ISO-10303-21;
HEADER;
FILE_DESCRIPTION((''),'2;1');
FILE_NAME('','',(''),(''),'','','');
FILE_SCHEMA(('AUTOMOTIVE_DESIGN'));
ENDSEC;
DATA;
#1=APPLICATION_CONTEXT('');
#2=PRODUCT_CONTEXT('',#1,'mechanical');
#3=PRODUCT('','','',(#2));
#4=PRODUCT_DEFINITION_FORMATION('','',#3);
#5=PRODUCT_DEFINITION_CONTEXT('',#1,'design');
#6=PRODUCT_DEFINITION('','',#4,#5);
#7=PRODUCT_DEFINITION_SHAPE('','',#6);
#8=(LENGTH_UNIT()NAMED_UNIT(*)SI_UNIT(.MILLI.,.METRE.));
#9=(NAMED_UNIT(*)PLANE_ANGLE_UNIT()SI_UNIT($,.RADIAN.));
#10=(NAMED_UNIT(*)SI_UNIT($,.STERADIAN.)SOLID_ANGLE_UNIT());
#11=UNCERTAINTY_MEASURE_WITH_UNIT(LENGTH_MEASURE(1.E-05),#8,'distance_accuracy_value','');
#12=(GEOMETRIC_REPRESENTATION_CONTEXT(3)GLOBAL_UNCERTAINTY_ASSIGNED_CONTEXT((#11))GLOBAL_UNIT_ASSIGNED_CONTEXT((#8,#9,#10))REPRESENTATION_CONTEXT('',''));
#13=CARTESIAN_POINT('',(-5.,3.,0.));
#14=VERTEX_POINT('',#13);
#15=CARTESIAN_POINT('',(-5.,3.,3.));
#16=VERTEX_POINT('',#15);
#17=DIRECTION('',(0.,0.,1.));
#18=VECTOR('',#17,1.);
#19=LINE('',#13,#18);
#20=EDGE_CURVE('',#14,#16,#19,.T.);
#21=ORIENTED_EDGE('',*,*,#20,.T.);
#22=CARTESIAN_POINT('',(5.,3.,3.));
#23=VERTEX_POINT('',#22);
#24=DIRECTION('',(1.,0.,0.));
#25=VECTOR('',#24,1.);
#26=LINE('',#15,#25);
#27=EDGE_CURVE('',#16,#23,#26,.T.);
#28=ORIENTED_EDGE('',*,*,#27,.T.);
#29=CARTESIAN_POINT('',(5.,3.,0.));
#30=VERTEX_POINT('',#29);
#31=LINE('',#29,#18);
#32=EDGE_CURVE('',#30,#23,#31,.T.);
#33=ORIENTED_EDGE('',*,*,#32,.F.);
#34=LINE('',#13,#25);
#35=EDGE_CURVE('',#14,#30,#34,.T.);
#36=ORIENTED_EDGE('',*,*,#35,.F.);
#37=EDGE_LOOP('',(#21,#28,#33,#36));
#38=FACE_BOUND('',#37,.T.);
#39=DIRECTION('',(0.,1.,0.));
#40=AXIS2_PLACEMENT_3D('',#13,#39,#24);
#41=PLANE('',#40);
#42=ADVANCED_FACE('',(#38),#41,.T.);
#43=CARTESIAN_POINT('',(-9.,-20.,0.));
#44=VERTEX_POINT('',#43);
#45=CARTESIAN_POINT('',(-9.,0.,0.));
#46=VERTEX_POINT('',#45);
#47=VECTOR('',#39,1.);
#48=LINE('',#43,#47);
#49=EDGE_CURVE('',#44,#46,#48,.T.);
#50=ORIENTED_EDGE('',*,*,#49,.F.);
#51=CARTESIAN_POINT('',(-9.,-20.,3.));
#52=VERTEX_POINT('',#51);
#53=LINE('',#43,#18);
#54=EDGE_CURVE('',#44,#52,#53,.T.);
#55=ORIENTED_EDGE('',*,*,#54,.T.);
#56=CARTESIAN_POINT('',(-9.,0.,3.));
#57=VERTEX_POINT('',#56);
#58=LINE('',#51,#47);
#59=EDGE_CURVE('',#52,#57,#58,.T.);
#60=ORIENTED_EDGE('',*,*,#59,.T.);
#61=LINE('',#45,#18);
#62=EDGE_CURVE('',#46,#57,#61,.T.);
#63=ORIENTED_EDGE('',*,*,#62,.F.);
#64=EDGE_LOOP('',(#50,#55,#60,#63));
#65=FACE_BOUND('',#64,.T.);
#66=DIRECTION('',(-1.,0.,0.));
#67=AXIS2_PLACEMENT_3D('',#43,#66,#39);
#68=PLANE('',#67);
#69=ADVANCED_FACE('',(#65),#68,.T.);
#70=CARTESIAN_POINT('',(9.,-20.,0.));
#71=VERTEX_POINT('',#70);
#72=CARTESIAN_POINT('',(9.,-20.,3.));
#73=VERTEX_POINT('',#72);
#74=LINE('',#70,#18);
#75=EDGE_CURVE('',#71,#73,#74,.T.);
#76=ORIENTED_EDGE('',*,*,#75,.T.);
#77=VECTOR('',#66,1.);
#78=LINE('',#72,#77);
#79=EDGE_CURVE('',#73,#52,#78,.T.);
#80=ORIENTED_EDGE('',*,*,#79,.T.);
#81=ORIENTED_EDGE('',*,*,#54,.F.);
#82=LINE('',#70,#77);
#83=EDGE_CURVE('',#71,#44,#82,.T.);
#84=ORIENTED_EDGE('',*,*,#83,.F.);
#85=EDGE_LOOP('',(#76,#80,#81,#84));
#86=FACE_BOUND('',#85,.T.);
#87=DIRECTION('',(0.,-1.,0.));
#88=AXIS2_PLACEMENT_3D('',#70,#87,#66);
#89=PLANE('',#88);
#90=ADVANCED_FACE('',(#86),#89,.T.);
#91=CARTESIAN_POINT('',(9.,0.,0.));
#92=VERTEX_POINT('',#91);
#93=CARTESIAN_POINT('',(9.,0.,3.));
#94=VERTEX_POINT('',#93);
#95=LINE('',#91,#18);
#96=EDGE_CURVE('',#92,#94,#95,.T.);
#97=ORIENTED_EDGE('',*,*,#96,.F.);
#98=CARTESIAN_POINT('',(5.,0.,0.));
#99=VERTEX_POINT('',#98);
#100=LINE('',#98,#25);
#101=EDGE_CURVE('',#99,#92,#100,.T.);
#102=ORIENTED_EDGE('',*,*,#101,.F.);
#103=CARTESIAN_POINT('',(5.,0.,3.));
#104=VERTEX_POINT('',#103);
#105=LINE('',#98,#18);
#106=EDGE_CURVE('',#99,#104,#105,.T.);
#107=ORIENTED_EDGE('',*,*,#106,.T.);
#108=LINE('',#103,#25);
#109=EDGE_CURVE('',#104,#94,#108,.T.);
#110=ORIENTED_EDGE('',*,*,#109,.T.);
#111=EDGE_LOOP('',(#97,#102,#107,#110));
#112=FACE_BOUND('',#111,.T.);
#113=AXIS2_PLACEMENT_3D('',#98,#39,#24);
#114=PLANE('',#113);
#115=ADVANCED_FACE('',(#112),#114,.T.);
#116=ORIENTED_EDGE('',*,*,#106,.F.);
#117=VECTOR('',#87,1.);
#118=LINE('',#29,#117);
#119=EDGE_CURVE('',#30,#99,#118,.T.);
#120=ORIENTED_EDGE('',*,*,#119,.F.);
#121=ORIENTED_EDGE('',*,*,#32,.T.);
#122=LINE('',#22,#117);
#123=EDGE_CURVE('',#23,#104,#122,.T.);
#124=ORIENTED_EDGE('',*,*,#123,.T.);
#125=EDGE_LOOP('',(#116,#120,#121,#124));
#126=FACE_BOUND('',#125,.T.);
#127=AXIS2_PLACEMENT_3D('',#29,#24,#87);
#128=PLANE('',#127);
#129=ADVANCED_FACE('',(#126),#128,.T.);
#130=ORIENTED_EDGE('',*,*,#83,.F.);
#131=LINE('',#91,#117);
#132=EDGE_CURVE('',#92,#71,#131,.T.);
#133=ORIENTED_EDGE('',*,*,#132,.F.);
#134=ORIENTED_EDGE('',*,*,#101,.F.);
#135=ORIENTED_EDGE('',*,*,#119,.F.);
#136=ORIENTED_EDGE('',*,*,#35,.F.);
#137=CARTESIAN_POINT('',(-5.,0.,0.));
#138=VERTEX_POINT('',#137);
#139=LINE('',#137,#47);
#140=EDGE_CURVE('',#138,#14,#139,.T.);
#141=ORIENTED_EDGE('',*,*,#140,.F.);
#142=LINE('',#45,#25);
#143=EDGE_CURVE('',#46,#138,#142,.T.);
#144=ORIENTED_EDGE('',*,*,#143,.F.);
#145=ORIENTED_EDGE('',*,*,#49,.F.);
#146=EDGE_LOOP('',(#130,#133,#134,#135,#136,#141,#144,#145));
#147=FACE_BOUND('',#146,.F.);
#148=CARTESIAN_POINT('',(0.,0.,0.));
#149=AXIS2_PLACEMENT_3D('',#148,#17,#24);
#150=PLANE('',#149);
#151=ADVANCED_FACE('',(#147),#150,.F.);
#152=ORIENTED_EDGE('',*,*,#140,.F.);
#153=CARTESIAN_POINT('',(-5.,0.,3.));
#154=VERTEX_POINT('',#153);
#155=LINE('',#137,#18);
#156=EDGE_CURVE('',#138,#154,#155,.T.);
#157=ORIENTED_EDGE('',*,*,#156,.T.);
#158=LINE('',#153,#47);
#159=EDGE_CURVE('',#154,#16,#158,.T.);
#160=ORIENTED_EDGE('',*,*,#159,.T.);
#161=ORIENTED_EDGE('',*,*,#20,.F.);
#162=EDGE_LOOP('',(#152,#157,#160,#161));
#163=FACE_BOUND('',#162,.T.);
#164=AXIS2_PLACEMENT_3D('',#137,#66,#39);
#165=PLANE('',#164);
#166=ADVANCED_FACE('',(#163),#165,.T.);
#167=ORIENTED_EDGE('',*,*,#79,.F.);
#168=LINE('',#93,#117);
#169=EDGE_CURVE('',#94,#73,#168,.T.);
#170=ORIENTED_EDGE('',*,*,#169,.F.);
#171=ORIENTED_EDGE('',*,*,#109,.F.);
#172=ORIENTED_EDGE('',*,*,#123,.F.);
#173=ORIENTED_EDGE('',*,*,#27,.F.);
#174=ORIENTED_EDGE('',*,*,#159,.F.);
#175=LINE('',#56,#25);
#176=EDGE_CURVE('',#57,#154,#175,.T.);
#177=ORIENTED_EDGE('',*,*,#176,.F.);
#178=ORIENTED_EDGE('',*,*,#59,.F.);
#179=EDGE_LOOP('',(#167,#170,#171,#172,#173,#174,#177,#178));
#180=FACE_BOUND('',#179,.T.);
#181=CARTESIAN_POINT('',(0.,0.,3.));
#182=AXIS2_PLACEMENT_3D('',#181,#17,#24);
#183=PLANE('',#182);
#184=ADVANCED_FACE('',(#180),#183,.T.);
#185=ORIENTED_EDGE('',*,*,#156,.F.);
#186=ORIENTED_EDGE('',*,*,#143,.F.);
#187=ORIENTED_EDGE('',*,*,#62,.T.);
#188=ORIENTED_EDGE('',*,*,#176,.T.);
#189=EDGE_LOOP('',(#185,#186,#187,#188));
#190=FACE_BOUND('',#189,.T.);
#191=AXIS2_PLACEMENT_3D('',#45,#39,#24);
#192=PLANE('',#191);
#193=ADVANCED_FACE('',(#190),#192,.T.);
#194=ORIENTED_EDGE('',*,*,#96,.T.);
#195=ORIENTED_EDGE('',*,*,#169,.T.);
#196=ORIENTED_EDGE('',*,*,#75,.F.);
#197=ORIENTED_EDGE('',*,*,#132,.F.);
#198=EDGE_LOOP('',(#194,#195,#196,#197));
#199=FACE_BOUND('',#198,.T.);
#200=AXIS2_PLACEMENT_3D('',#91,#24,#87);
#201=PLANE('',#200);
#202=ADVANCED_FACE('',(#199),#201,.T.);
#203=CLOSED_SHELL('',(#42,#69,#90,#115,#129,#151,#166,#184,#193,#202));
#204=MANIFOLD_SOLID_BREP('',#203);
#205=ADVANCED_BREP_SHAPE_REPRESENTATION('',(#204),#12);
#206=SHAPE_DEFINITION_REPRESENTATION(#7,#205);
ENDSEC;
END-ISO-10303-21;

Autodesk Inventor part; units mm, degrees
ref_plane "YZ Plane" through (0, 0, 0) normal (1, 0, 0) x (0, 1, 0)
ref_plane "XZ Plane" through (0, 0, 0) normal (0, 1, 0) x (-1, 0, 0)
ref_plane "XY Plane" through (0, 0, 0) normal (0, 0, 1) x (1, 0, 0)
sketch "Sketch1" plane through (0, 0, 0) normal (0, 0, 1) x (1, 0, 0)
  line L0 (9, 0) -> (9, -20)
  line L1 (9, -20) -> (-9, -20)
  line L2 (-9, -20) -> (-9, 0)
  line L3 (-5, 0) -> (-5, 3)
  line L4 (-5, 3) -> (5, 3)
  line L5 (5, 3) -> (5, 0)
  line L6 (-9, 0) -> (-5, 0)
  line L7 (5, 0) -> (9, 0)
  line L8 (0, 0) -> (0, 3) construction
  line L9 (0, 0) -> (-9, 0) construction
  dimension "d0" = 18
  dimension "d1" = 4
  dimension "d2" = 3
  dimension "d3" = 20
extrude "Extrusion1" add sketch "Sketch1" along normal blind 3
properties part number "electromagnet_mnt_p2"
